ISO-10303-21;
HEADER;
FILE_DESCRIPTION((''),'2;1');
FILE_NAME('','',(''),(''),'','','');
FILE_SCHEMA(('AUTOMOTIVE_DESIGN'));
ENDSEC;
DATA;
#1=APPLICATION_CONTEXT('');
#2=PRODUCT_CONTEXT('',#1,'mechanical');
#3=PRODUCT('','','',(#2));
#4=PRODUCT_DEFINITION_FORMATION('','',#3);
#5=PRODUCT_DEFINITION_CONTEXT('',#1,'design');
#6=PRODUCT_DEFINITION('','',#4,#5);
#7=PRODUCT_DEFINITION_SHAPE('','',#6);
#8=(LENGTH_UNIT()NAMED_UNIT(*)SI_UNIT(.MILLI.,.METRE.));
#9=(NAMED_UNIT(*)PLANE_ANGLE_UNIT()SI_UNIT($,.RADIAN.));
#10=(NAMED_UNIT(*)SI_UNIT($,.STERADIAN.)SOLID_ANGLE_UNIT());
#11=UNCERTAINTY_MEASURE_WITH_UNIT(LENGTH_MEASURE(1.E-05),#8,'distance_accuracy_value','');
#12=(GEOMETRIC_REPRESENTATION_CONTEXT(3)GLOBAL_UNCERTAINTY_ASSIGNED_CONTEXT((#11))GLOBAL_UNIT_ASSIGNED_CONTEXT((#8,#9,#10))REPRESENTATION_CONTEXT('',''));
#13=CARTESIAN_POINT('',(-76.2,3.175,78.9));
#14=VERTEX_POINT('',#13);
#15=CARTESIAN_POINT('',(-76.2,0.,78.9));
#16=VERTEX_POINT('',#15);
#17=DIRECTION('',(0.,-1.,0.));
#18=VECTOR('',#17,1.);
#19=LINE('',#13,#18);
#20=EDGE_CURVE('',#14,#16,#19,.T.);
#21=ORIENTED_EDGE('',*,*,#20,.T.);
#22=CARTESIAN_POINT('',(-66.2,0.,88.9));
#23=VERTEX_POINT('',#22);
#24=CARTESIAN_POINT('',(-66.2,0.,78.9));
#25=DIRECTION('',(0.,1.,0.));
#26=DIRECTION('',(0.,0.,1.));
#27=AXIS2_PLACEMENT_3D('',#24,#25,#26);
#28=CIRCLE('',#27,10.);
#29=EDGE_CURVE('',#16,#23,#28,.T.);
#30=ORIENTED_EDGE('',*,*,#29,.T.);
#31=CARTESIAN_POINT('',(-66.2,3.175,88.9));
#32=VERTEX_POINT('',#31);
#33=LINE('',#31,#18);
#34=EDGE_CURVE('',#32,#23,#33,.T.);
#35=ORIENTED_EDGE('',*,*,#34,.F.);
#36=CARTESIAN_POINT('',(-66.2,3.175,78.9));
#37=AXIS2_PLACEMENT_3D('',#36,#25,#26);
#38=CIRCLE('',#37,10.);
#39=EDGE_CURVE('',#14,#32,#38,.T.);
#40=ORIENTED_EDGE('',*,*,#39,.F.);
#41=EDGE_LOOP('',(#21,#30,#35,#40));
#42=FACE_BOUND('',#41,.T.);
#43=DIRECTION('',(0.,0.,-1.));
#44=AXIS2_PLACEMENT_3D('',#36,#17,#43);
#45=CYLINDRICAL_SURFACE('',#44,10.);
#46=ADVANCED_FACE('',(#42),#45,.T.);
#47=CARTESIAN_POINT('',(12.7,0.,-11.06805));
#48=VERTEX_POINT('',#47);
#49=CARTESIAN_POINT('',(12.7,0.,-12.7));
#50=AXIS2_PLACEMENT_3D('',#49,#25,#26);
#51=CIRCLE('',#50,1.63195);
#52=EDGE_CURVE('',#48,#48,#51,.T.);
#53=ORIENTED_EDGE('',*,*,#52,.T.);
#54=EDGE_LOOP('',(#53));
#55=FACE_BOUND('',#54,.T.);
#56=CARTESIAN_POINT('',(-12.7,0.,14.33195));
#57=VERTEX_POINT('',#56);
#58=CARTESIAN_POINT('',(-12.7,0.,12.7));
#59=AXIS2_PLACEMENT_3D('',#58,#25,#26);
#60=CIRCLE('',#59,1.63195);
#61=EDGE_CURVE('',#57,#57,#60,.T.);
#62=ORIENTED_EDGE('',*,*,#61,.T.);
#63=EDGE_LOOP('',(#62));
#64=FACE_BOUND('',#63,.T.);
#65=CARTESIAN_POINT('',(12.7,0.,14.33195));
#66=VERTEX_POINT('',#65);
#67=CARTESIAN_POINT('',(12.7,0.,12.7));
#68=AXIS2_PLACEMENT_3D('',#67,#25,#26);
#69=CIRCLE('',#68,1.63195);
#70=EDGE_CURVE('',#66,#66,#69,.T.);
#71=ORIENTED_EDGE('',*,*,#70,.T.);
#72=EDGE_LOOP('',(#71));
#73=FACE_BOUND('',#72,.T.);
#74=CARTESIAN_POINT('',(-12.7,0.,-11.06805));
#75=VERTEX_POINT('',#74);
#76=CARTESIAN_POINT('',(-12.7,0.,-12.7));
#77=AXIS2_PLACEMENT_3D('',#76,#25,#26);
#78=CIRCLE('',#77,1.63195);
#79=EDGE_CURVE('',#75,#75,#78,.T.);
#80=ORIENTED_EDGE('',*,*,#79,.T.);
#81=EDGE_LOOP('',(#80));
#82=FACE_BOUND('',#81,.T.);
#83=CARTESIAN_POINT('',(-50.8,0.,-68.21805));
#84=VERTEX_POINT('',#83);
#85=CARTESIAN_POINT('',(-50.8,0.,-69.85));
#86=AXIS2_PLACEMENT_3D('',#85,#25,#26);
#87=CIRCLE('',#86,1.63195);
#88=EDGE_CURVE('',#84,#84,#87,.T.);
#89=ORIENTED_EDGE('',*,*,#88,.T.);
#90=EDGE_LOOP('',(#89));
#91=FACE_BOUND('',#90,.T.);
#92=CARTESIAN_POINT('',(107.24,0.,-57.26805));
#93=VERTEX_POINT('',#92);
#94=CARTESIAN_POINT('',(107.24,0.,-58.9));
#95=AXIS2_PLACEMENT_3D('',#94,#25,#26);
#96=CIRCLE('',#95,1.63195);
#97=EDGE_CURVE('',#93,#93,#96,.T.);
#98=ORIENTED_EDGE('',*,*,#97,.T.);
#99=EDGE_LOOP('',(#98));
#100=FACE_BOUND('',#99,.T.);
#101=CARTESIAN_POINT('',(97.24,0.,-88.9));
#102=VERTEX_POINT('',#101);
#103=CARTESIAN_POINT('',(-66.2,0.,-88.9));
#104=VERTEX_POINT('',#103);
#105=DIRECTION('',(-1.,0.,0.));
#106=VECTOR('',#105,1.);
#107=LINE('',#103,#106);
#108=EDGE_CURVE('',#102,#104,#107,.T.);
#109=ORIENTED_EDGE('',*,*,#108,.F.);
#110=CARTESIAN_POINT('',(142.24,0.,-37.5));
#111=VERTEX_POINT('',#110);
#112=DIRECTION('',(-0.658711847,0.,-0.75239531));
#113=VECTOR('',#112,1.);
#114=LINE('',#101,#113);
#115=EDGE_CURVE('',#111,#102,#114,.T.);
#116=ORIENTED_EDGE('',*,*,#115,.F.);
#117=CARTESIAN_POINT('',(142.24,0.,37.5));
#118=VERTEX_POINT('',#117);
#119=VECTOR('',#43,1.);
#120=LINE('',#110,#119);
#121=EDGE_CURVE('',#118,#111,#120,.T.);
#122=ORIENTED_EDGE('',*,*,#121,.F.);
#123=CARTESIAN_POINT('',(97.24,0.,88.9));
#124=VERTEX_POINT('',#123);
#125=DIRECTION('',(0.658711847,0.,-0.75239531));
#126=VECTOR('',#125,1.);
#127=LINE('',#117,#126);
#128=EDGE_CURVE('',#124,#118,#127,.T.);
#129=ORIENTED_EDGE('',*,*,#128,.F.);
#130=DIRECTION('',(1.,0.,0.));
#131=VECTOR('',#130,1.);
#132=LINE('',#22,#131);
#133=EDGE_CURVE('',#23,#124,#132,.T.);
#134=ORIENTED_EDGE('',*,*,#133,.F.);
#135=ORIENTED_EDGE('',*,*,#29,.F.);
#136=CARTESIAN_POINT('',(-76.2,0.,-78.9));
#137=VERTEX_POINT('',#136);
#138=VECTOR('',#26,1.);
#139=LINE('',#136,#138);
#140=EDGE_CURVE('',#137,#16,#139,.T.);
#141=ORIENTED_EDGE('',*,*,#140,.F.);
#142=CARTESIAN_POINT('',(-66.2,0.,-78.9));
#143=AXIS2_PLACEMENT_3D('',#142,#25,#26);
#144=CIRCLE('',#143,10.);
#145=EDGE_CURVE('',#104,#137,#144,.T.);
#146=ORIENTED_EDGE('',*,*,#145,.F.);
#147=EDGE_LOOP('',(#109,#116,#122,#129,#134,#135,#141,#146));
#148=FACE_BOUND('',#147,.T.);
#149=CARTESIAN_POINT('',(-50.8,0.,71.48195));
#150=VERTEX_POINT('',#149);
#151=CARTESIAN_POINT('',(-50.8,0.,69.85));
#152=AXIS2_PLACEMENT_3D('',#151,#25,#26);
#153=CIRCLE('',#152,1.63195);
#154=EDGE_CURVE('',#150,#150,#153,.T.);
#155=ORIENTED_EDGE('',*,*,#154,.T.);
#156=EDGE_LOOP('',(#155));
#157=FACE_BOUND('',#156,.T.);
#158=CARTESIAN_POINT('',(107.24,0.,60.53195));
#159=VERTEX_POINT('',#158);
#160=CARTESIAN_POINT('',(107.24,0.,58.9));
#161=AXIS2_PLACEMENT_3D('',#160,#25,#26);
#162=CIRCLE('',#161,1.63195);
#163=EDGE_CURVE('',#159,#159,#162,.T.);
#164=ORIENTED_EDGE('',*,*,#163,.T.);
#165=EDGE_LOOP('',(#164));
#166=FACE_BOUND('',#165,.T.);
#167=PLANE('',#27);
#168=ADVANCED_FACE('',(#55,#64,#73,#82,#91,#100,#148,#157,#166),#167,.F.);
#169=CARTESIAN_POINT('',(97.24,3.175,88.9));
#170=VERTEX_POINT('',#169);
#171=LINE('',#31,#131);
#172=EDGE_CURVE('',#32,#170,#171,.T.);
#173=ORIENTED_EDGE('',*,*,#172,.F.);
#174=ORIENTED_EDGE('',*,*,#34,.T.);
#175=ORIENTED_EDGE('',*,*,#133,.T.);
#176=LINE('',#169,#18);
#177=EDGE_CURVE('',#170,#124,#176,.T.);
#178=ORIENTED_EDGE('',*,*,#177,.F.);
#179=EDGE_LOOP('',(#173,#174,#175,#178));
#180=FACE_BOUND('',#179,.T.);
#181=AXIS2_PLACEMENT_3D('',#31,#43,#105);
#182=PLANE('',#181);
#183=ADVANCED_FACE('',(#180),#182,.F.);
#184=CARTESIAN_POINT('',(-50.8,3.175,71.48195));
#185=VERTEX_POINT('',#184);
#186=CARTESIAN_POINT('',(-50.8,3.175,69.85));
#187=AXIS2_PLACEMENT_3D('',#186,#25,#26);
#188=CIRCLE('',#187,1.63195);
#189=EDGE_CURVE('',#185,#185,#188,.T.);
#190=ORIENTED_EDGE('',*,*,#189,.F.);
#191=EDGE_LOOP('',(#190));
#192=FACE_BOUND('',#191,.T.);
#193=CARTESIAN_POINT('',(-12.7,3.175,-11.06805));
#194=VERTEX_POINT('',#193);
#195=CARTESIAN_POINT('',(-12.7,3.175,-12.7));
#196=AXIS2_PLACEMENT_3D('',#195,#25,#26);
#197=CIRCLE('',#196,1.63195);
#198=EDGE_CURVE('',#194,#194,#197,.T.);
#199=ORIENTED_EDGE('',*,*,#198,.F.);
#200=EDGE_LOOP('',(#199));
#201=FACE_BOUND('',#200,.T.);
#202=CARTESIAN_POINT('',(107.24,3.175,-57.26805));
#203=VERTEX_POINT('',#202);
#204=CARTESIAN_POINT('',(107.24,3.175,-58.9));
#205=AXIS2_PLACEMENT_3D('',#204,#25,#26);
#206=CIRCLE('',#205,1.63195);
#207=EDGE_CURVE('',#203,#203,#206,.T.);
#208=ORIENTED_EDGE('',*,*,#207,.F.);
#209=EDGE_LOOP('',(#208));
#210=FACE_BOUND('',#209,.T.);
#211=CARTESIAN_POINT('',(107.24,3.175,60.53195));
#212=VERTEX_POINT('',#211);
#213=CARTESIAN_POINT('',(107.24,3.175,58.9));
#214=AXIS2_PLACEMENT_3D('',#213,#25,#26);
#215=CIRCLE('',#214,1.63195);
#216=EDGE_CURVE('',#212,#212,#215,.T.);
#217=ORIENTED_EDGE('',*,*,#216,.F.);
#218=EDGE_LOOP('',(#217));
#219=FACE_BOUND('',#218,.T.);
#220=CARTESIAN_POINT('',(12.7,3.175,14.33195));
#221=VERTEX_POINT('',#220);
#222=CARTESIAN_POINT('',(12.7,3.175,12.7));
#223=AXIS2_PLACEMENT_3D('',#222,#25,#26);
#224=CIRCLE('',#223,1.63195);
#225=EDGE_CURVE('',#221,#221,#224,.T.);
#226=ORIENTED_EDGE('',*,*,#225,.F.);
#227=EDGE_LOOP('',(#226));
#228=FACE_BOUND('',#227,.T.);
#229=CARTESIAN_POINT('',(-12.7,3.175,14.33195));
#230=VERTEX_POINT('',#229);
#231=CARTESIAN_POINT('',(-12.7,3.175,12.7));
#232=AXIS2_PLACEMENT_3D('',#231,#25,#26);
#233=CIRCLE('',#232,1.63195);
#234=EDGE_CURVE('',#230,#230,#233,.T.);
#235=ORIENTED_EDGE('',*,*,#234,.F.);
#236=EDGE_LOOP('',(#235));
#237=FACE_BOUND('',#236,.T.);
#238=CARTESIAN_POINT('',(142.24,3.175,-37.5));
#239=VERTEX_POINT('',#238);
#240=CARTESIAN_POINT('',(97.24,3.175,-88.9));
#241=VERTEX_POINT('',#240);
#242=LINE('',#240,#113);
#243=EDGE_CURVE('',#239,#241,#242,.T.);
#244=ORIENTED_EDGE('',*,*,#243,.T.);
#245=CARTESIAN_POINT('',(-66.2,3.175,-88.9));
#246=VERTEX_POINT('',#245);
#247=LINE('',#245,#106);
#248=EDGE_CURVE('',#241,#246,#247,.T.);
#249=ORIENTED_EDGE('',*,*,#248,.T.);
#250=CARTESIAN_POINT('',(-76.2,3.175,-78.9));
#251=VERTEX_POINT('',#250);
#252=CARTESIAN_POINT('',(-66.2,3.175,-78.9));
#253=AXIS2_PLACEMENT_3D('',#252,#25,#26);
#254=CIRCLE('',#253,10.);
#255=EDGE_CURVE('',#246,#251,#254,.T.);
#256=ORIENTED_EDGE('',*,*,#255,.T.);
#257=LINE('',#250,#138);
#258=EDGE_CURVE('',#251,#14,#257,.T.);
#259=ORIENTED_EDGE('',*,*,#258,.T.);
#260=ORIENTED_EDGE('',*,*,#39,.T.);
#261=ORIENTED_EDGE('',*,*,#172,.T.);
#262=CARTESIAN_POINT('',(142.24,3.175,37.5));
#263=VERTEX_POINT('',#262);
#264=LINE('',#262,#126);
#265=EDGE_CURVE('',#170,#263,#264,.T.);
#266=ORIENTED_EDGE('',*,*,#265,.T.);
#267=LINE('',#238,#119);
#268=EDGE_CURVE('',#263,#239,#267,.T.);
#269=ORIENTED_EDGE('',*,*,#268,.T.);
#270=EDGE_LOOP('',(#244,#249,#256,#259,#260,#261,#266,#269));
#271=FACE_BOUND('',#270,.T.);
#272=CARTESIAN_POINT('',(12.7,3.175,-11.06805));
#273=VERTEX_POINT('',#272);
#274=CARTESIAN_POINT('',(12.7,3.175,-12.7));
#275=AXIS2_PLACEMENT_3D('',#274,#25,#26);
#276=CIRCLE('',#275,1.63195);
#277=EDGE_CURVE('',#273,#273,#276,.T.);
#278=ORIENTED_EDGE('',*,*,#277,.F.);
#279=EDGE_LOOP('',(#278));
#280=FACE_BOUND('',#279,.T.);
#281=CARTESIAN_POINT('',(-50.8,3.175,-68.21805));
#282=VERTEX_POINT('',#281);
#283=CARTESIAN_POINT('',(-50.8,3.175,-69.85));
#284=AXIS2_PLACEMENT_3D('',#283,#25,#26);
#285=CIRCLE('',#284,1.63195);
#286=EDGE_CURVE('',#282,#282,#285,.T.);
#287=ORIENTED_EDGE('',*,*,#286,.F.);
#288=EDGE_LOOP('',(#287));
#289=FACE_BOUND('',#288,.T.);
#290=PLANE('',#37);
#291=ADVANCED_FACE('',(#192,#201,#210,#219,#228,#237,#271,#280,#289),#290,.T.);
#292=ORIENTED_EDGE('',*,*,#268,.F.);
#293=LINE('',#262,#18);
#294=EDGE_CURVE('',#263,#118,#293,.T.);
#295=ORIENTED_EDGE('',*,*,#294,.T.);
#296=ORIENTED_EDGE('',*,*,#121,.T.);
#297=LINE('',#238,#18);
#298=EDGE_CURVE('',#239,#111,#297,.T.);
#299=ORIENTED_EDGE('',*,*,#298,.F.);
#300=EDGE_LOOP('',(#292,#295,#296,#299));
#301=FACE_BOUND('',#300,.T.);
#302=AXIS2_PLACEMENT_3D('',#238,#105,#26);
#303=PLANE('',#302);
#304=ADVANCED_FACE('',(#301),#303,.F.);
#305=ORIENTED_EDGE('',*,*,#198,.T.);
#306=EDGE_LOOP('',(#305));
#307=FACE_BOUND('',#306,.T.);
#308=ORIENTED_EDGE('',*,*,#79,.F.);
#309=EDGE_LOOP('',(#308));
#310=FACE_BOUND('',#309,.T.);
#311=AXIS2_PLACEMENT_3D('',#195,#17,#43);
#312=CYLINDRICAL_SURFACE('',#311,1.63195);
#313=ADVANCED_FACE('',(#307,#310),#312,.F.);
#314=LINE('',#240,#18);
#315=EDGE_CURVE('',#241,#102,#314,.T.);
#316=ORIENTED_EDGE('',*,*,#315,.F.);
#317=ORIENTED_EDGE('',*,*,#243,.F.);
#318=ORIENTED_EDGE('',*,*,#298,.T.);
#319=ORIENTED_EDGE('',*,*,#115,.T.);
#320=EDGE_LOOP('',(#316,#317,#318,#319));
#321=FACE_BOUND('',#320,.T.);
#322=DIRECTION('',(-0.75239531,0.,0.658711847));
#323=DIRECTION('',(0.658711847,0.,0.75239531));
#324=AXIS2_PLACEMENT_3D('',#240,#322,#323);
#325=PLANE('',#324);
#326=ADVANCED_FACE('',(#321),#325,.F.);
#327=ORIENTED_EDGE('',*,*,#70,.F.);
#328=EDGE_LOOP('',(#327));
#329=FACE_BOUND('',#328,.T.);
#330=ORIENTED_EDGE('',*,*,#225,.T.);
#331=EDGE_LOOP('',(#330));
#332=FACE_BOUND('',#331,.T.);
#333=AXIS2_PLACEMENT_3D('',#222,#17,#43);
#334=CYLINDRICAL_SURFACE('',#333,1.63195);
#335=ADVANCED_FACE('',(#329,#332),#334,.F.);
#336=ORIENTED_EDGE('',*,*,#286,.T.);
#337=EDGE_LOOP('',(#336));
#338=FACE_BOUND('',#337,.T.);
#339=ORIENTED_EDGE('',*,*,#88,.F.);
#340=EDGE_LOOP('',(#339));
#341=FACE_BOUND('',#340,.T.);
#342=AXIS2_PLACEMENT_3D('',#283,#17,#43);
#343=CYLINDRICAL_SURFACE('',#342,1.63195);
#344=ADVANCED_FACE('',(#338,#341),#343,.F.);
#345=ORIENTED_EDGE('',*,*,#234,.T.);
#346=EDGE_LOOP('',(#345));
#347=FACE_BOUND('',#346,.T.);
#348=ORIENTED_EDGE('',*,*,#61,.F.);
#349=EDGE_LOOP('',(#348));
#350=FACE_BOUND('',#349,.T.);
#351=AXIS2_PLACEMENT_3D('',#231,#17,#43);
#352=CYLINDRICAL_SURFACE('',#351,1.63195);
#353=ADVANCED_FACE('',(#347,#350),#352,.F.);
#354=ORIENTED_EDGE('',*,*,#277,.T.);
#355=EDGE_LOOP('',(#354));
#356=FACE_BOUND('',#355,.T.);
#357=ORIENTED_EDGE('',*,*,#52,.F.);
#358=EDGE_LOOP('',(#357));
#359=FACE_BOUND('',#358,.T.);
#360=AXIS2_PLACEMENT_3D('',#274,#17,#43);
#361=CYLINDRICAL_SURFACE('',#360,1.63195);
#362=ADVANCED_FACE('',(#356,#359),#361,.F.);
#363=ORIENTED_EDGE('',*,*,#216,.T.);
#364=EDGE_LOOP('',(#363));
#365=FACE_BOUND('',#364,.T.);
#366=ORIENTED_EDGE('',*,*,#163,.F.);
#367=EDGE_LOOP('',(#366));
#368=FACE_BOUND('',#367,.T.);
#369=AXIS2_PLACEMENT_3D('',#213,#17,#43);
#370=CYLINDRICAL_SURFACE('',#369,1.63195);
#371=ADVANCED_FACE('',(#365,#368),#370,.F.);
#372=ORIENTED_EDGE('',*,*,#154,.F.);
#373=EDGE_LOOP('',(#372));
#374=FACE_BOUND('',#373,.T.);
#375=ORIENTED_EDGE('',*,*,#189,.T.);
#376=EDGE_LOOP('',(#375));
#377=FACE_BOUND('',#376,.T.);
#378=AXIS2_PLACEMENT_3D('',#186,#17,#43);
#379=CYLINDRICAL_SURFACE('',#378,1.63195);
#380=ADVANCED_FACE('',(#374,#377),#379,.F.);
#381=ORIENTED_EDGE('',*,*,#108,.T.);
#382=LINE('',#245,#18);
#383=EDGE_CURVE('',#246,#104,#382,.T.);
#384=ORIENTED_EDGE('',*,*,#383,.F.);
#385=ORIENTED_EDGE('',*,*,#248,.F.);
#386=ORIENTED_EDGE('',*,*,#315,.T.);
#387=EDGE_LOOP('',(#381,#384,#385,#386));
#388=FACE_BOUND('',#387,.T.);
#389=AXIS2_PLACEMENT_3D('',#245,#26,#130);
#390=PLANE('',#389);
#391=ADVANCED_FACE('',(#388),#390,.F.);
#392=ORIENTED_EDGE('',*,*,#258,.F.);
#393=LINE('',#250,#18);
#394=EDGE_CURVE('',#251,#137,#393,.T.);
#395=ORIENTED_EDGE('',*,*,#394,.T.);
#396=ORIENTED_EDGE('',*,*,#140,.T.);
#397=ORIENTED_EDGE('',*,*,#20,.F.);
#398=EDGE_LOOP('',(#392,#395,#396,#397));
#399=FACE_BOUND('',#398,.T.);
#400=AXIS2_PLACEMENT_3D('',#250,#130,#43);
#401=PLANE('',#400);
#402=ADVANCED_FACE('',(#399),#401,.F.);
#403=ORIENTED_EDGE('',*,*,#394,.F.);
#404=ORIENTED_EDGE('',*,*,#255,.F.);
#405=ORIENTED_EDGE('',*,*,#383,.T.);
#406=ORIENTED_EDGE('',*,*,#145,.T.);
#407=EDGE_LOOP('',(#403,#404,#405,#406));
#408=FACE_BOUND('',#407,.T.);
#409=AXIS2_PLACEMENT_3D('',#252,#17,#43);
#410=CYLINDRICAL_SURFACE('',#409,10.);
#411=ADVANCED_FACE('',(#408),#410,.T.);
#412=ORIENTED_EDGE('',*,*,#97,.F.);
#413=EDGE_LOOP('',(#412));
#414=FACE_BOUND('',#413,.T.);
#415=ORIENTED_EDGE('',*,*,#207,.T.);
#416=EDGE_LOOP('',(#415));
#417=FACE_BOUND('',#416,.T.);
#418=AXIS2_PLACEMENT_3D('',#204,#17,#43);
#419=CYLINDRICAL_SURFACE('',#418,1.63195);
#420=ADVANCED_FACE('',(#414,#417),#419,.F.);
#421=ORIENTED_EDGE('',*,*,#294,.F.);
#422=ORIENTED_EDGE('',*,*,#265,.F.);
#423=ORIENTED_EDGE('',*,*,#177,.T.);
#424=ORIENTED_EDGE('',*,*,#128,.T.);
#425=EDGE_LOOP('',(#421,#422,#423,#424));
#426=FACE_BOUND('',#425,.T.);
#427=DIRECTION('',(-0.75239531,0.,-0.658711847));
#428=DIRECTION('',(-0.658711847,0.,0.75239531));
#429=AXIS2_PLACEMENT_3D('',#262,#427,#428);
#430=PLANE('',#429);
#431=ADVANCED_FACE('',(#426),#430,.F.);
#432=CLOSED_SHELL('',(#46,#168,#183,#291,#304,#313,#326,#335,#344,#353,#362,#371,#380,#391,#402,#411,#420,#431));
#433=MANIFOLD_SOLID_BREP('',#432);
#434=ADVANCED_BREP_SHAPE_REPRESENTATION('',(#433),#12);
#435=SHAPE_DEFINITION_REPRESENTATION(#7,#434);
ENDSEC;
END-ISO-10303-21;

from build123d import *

# Parameters (mm, degrees)
SKETCH1_R           = 1.63195
BOSS_EXTRUDE1_DEPTH = 3.175


with BuildPart() as part:
    # Sketch1 → Boss-Extrude1 (new body)
    with BuildSketch(Plane(origin=(0, 0, 0), x_dir=(1, 0, 0), z_dir=(0, 1, 0))):
        with BuildLine():
            Line((-66.2, 88.9), (97.24, 88.9))
            Line((97.24, 88.9), (142.24, 37.5))
            Line((142.24, 37.5), (142.24, -37.5))
            Line((142.24, -37.5), (97.24, -88.9))
            Line((97.24, -88.9), (-66.2, -88.9))
            ThreePointArc((-66.2, -88.9), (-73.271067812, -85.971067812), (-76.2, -78.9))
            Line((-76.2, -78.9), (-76.2, 78.9))
            ThreePointArc((-76.2, 78.9), (-73.271067812, 85.971067812), (-66.2, 88.9))
        make_face()
        with Locations((-12.7, 12.7)):
            Circle(SKETCH1_R, mode=Mode.SUBTRACT)
        with Locations((12.7, 12.7)):
            Circle(SKETCH1_R, mode=Mode.SUBTRACT)
        with Locations((12.7, -12.7)):
            Circle(SKETCH1_R, mode=Mode.SUBTRACT)
        with Locations((-12.7, -12.7)):
            Circle(SKETCH1_R, mode=Mode.SUBTRACT)
        with Locations((-50.8, 69.85)):
            Circle(SKETCH1_R, mode=Mode.SUBTRACT)
        with Locations((107.24, 58.9)):
            Circle(SKETCH1_R, mode=Mode.SUBTRACT)
        with Locations((107.24, -58.9)):
            Circle(SKETCH1_R, mode=Mode.SUBTRACT)
        with Locations((-50.8, -69.85)):
            Circle(SKETCH1_R, mode=Mode.SUBTRACT)
    extrude(amount=BOSS_EXTRUDE1_DEPTH)


solid = part.part
